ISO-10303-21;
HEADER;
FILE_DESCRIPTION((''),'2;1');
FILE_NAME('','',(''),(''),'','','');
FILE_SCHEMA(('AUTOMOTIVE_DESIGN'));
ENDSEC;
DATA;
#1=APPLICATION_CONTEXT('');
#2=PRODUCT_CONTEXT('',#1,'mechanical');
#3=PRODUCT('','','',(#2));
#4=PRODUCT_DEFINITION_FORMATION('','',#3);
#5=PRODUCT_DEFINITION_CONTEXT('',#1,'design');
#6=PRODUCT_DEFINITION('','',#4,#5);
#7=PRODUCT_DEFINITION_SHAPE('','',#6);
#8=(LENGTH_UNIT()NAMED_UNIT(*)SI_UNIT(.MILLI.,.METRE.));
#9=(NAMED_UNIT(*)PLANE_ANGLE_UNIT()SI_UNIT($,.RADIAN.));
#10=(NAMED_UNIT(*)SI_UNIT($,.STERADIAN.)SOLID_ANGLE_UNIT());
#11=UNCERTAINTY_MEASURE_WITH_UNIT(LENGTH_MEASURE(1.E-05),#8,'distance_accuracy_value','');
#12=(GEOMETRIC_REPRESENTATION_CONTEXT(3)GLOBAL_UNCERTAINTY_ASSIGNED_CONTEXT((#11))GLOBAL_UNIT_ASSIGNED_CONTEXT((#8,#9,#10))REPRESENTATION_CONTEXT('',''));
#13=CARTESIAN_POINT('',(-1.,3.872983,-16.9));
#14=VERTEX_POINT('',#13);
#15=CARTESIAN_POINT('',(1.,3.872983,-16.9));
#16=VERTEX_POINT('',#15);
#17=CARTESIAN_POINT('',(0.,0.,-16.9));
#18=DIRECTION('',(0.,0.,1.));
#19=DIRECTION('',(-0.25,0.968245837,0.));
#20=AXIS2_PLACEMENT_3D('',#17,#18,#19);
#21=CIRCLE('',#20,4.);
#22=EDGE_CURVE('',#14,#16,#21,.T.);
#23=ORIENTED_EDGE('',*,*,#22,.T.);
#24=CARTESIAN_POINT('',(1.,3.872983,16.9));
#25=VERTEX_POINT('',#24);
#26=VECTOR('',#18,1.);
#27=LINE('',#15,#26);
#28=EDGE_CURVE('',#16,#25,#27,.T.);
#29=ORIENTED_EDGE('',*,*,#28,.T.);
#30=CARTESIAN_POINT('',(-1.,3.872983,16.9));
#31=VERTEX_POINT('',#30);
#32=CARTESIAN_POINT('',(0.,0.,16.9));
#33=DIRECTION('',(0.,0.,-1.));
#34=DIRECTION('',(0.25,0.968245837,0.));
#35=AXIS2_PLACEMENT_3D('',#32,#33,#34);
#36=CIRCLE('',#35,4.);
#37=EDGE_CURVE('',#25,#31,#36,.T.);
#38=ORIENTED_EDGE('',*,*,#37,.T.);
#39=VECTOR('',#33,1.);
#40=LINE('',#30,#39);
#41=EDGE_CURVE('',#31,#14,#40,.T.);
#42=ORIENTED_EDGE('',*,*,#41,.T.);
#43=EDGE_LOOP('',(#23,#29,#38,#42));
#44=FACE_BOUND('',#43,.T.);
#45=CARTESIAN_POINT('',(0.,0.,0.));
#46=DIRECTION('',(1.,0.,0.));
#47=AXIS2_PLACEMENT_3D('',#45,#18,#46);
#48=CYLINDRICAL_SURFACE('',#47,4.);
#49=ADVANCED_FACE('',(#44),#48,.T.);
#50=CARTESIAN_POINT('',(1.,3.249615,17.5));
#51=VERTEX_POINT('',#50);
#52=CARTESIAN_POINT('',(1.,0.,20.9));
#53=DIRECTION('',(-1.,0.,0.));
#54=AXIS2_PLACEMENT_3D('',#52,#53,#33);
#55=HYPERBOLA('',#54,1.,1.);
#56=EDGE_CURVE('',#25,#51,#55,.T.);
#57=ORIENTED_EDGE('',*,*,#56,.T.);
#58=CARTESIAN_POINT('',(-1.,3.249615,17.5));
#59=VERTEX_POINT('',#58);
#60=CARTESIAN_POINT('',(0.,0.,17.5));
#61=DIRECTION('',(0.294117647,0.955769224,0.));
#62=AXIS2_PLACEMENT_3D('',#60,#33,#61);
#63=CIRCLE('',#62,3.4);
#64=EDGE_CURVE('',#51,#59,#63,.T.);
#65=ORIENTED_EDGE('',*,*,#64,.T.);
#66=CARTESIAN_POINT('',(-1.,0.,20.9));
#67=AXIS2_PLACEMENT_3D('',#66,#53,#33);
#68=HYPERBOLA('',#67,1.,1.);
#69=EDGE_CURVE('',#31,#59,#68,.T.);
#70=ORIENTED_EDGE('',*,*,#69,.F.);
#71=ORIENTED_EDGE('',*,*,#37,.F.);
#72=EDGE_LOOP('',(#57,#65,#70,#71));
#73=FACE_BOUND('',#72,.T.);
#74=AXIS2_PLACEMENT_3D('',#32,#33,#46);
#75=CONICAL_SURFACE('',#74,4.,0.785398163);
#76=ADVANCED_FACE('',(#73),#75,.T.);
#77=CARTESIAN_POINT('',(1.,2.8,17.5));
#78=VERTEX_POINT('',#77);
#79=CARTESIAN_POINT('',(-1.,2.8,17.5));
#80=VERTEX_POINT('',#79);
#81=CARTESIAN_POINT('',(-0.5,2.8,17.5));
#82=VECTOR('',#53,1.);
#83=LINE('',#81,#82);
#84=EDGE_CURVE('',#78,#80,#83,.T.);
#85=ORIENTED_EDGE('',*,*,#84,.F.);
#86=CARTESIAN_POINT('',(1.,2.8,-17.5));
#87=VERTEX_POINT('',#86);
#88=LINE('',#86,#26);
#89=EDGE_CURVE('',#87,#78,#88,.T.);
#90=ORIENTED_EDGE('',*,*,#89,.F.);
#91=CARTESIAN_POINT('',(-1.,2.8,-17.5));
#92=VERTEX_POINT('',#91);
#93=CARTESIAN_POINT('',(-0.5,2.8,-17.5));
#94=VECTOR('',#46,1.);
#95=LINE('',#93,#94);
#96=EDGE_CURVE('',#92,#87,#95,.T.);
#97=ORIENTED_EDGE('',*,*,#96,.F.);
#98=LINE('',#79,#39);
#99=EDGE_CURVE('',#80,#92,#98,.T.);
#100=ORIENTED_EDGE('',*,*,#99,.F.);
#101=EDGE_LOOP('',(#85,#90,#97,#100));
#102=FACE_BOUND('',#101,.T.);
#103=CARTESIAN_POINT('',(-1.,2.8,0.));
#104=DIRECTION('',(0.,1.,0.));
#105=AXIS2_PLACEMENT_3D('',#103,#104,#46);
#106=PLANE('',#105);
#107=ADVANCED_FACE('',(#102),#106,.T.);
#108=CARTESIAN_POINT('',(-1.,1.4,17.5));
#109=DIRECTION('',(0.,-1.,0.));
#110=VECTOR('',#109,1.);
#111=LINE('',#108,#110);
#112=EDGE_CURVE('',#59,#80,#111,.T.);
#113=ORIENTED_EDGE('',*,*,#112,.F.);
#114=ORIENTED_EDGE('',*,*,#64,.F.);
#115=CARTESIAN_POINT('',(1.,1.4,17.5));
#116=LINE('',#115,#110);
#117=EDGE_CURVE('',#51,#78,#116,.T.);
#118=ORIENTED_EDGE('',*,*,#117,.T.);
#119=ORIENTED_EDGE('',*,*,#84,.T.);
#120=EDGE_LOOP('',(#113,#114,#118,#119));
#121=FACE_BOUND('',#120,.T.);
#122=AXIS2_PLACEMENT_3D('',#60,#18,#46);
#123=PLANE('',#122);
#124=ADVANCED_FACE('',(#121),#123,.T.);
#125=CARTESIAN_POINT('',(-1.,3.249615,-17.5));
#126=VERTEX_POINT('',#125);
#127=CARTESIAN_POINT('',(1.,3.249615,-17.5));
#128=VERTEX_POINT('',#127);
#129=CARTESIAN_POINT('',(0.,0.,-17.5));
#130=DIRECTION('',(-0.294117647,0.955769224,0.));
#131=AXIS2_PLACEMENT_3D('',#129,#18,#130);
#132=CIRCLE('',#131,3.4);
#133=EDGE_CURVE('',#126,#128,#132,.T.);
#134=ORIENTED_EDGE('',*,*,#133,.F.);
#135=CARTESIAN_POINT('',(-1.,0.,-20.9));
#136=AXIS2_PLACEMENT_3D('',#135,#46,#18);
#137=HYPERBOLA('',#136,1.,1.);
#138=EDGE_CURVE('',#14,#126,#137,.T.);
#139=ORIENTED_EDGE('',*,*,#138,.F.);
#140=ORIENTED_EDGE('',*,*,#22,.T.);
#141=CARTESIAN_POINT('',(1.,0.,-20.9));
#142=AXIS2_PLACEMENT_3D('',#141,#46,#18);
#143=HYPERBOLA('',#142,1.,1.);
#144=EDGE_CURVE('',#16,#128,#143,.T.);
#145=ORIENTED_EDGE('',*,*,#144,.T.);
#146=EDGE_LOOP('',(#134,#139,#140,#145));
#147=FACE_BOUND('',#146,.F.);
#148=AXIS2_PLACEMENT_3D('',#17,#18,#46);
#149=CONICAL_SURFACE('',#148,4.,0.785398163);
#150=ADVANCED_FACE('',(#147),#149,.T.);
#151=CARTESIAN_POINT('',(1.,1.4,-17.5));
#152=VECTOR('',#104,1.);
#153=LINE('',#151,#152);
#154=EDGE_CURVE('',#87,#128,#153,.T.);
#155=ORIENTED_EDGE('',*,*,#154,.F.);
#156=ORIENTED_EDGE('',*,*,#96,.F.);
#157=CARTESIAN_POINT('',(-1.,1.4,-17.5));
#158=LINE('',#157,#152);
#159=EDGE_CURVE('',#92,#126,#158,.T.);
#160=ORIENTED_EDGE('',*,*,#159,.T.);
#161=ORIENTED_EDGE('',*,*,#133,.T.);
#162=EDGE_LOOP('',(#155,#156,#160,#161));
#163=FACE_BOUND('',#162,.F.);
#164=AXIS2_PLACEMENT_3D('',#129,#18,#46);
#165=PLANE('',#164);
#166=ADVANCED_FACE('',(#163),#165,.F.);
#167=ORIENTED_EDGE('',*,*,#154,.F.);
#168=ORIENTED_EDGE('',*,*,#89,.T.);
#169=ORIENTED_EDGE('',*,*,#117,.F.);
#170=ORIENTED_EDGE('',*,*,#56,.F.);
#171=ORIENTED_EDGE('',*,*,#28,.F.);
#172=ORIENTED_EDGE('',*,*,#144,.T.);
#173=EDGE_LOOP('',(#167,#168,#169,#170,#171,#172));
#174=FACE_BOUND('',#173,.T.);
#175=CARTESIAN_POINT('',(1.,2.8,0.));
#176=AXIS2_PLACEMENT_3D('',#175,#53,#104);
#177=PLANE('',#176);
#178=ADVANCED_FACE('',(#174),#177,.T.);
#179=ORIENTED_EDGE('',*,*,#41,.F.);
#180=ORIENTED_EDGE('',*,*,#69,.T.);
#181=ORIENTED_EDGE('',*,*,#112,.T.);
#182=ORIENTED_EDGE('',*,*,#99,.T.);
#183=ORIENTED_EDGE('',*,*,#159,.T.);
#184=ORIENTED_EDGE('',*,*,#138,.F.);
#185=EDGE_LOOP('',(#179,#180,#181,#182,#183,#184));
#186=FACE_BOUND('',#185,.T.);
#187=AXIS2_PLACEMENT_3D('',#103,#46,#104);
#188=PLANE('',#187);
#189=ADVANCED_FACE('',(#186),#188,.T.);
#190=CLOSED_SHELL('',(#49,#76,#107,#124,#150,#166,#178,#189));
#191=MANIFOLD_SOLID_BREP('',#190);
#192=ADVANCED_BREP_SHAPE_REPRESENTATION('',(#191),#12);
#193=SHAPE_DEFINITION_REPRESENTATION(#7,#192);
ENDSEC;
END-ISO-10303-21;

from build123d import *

# Parameters (mm, degrees)
SKETCH1_R           = 4
EXTRUDE1_DEPTH      = 17.5
CHAMFER1_SIZE       = 0.6
SKETCH3_W           = 2
SKETCH3_H           = 1.2
EXTRUDE2_DEPTH      = 18.5
EXTRUDE2_DEPTH_BACK = 18.5


with BuildPart() as part:
    # Sketch1 → Extrude1 (new body, symmetric)
    with BuildSketch(Plane.XY):
        Circle(SKETCH1_R)
    extrude(amount=EXTRUDE1_DEPTH, both=True)

    # Chamfer1
    chamfer1_edges = [part.edges().sort_by_distance(p)[0] for p in [
        (-4, 0, -17.5),
        (-4, 0, 17.5),
    ]]
    chamfer(chamfer1_edges, length=CHAMFER1_SIZE)

    # Sketch3 → Extrude2 (cut, two sides)
    with BuildSketch(Plane.XY) as extrude2_sk:
        with Locations((0, 3.4)):
            Rectangle(SKETCH3_W, SKETCH3_H)
    extrude(amount=EXTRUDE2_DEPTH, mode=Mode.SUBTRACT)
    extrude(extrude2_sk.sketch, amount=-EXTRUDE2_DEPTH_BACK, mode=Mode.SUBTRACT)


solid = part.part
